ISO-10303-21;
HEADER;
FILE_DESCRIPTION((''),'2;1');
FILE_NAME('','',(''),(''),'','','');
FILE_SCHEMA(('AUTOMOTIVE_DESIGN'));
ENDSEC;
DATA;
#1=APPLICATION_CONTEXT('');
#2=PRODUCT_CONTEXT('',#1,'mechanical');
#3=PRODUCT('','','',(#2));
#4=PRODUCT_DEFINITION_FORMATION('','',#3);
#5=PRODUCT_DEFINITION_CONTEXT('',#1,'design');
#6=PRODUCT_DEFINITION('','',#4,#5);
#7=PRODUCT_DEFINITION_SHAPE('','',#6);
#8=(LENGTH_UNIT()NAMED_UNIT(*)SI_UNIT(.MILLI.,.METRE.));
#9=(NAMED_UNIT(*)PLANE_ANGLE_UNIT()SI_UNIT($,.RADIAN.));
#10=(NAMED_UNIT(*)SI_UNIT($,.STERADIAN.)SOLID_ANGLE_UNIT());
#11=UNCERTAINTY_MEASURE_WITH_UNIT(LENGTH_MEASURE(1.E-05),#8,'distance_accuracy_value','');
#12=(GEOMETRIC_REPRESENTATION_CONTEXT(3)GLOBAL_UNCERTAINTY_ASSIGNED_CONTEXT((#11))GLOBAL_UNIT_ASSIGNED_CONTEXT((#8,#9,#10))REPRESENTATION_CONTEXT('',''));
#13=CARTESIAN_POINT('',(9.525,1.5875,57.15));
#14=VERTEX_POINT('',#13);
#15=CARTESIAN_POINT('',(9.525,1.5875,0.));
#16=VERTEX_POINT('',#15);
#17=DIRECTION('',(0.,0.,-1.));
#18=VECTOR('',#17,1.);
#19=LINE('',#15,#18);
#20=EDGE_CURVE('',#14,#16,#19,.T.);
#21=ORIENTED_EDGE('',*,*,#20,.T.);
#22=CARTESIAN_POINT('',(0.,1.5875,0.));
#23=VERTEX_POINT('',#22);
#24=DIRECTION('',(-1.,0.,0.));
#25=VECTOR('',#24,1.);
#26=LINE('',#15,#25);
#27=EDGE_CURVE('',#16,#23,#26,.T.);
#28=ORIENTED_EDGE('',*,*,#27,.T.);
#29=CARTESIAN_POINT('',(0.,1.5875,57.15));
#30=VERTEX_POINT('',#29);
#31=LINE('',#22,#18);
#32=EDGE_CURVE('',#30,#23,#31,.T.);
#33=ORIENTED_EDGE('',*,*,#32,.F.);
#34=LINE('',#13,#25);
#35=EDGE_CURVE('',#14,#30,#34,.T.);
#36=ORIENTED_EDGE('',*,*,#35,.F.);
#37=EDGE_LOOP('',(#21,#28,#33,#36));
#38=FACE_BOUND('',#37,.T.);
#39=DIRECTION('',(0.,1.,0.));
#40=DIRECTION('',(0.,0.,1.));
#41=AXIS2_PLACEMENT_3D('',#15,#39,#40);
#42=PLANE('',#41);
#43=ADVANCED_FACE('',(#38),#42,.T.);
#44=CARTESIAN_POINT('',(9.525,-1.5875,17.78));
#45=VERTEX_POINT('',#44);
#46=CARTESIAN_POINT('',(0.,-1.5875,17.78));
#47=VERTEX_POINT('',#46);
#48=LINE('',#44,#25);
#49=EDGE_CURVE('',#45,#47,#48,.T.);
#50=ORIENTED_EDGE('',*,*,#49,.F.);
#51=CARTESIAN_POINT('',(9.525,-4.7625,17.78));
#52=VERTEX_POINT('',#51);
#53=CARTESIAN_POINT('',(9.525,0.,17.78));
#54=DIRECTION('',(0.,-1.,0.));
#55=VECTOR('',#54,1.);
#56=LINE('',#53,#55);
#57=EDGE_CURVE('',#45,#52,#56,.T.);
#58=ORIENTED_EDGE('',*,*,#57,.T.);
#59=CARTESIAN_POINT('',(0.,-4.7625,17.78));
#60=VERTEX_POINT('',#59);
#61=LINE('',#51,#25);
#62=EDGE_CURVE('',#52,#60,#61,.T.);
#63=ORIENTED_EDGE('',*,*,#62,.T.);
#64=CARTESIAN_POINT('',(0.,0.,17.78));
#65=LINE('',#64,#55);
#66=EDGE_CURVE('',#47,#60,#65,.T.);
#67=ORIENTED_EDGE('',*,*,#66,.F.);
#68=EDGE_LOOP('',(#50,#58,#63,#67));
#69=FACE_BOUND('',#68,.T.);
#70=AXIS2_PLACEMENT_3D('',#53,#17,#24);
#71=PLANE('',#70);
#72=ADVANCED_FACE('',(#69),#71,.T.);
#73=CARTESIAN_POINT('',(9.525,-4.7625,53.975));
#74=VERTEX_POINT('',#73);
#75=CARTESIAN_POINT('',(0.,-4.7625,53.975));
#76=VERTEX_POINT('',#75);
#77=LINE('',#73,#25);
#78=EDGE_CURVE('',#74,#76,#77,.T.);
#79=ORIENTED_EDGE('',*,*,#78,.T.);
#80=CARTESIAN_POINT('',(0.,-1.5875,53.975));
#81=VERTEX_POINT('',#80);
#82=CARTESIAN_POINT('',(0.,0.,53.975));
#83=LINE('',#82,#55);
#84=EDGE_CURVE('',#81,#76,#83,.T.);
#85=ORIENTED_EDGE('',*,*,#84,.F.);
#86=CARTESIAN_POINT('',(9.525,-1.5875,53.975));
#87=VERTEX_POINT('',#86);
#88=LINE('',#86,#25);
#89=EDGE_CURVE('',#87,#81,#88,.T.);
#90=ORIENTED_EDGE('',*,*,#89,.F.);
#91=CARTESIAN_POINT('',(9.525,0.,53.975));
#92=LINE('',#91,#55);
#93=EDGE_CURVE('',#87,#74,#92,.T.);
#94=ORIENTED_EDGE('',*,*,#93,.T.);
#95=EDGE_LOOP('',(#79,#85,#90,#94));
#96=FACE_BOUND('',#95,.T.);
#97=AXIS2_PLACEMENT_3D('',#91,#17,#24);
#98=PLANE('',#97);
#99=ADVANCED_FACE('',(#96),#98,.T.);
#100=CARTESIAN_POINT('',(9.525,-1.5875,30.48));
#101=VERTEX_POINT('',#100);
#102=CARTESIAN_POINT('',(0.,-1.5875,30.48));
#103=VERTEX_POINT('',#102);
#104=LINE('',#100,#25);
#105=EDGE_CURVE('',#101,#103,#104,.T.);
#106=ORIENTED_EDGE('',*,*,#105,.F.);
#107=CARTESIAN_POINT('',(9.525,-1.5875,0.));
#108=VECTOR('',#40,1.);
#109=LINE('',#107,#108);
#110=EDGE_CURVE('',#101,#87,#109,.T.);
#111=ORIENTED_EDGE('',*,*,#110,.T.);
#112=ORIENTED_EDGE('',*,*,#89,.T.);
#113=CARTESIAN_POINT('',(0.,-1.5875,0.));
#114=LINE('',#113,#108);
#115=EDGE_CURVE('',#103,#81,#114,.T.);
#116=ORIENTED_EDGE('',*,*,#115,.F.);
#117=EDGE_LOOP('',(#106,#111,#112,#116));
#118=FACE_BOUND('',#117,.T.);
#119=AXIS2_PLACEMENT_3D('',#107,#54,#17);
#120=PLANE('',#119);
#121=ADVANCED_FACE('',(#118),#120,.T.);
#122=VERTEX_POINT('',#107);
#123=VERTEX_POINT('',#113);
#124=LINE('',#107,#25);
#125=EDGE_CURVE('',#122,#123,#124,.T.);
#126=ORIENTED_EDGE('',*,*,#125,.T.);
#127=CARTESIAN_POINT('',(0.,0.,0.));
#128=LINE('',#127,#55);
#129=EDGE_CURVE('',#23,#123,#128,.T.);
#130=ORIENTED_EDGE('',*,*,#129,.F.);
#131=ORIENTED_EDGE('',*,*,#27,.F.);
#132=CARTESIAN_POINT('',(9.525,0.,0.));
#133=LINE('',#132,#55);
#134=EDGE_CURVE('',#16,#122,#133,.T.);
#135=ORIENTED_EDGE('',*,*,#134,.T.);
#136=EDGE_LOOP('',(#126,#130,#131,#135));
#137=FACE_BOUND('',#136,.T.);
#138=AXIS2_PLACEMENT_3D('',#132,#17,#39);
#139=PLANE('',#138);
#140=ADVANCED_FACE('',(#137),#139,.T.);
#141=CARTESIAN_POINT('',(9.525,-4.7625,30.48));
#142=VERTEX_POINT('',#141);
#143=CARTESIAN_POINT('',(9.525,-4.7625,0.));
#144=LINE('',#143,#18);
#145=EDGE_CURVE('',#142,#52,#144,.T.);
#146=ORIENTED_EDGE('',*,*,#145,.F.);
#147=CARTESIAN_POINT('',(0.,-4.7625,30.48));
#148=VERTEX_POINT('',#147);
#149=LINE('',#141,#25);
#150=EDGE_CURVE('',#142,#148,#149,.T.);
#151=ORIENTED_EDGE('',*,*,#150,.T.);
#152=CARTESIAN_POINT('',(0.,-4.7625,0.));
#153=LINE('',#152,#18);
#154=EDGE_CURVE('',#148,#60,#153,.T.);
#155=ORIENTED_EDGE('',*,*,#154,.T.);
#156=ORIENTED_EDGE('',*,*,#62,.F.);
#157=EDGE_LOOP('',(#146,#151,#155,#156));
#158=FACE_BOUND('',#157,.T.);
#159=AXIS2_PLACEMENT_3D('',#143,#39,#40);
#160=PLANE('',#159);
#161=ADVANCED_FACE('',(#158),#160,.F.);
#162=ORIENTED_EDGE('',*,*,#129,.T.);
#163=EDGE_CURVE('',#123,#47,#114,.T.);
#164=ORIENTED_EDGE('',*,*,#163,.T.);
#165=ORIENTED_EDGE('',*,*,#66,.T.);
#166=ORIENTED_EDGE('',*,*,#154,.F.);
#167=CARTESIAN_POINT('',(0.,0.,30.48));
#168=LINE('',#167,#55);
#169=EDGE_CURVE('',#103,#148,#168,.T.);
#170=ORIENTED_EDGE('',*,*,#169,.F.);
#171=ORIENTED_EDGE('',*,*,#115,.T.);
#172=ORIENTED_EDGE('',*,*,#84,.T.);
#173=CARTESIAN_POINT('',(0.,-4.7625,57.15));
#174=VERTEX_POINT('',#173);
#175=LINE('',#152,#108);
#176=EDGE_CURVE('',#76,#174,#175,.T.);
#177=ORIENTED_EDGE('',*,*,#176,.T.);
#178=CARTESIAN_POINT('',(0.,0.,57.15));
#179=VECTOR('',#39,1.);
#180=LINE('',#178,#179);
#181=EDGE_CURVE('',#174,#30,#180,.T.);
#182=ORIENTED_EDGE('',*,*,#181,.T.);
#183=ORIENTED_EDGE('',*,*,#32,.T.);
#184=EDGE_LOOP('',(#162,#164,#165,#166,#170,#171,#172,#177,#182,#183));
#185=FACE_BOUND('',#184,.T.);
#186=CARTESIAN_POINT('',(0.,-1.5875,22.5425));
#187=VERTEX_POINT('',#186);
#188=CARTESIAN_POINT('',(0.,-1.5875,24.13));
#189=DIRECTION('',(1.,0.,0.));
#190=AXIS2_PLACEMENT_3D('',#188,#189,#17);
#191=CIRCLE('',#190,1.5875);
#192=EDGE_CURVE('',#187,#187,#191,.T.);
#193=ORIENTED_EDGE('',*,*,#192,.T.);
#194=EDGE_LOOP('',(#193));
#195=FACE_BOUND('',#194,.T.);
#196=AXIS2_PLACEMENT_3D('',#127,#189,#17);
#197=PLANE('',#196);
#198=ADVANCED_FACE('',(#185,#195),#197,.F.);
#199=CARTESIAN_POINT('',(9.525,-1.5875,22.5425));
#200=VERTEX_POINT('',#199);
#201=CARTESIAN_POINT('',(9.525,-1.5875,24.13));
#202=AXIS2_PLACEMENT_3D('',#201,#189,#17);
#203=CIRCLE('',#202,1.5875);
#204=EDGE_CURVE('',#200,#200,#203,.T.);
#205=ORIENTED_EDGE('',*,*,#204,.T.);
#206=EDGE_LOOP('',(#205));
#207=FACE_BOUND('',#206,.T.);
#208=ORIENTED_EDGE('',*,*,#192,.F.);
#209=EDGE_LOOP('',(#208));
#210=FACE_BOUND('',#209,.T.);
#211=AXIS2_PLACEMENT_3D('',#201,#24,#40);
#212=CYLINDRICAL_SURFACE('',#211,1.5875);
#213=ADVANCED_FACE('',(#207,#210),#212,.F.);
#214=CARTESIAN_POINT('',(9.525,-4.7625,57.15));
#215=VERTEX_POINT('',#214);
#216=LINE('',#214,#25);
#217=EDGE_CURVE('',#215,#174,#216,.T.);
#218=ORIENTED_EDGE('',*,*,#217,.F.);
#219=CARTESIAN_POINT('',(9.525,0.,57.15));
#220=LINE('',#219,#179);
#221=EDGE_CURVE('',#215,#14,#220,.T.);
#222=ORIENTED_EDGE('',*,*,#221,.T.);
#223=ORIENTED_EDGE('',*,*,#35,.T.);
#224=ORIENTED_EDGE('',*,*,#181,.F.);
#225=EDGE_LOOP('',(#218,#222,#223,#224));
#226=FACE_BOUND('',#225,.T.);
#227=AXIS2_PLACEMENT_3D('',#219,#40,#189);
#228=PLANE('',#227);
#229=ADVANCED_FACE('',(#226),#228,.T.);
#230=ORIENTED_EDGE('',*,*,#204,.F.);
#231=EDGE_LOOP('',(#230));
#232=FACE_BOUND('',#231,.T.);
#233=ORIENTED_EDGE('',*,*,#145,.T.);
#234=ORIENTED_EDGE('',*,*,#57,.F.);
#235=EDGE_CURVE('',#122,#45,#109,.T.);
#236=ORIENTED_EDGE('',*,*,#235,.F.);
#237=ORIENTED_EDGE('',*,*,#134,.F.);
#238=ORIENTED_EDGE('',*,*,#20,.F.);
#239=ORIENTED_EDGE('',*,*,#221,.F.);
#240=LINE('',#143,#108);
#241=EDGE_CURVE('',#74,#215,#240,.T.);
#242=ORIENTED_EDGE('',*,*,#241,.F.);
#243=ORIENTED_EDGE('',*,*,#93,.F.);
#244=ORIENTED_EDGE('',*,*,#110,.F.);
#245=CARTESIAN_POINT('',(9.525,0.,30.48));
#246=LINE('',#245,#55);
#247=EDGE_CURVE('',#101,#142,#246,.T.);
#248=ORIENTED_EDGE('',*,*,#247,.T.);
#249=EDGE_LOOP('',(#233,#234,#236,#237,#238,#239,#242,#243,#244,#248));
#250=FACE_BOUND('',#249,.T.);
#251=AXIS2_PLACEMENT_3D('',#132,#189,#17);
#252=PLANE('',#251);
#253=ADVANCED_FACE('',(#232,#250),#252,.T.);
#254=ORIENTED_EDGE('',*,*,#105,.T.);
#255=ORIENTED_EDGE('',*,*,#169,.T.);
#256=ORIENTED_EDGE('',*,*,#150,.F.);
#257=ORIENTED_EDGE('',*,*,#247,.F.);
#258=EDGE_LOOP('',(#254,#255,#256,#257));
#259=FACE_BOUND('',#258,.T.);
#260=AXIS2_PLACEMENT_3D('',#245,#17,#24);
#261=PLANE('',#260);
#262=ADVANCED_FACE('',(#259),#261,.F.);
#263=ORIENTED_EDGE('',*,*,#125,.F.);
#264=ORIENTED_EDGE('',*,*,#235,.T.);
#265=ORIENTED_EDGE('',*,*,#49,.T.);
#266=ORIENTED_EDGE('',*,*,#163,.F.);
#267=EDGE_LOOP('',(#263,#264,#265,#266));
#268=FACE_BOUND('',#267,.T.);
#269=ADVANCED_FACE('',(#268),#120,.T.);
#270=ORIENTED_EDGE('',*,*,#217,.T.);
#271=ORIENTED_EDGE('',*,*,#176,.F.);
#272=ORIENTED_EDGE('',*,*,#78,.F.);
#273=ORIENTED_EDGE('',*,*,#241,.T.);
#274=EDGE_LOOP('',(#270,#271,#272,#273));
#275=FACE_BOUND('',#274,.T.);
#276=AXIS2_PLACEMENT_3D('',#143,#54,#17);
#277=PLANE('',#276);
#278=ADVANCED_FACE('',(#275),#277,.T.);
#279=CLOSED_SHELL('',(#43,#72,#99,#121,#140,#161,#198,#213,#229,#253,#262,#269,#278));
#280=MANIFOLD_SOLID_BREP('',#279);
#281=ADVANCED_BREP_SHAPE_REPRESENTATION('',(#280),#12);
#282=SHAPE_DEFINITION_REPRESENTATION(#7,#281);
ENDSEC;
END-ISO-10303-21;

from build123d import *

# Parameters (mm, degrees)
SKETCH1_R           = 1.5875
BOSS_EXTRUDE1_DEPTH = 9.525


with BuildPart() as part:
    # Sketch1 → Boss-Extrude1 (new body)
    with BuildSketch(Plane(origin=(0, 0, 0), x_dir=(0, 0, -1), z_dir=(1, 0, 0))):
        Polygon((0, 1.5875), (0, -1.5875), (-17.78, -1.5875), (-17.78, -4.7625), (-30.48, -4.7625), (-30.48, -1.5875), (-53.975, -1.5875), (-53.975, -4.7625), (-57.15, -4.7625), (-57.15, 1.5875), align=None)
        with Locations((-24.13, -1.5875)):
            Circle(SKETCH1_R, mode=Mode.SUBTRACT)
    extrude(amount=BOSS_EXTRUDE1_DEPTH)


solid = part.part
